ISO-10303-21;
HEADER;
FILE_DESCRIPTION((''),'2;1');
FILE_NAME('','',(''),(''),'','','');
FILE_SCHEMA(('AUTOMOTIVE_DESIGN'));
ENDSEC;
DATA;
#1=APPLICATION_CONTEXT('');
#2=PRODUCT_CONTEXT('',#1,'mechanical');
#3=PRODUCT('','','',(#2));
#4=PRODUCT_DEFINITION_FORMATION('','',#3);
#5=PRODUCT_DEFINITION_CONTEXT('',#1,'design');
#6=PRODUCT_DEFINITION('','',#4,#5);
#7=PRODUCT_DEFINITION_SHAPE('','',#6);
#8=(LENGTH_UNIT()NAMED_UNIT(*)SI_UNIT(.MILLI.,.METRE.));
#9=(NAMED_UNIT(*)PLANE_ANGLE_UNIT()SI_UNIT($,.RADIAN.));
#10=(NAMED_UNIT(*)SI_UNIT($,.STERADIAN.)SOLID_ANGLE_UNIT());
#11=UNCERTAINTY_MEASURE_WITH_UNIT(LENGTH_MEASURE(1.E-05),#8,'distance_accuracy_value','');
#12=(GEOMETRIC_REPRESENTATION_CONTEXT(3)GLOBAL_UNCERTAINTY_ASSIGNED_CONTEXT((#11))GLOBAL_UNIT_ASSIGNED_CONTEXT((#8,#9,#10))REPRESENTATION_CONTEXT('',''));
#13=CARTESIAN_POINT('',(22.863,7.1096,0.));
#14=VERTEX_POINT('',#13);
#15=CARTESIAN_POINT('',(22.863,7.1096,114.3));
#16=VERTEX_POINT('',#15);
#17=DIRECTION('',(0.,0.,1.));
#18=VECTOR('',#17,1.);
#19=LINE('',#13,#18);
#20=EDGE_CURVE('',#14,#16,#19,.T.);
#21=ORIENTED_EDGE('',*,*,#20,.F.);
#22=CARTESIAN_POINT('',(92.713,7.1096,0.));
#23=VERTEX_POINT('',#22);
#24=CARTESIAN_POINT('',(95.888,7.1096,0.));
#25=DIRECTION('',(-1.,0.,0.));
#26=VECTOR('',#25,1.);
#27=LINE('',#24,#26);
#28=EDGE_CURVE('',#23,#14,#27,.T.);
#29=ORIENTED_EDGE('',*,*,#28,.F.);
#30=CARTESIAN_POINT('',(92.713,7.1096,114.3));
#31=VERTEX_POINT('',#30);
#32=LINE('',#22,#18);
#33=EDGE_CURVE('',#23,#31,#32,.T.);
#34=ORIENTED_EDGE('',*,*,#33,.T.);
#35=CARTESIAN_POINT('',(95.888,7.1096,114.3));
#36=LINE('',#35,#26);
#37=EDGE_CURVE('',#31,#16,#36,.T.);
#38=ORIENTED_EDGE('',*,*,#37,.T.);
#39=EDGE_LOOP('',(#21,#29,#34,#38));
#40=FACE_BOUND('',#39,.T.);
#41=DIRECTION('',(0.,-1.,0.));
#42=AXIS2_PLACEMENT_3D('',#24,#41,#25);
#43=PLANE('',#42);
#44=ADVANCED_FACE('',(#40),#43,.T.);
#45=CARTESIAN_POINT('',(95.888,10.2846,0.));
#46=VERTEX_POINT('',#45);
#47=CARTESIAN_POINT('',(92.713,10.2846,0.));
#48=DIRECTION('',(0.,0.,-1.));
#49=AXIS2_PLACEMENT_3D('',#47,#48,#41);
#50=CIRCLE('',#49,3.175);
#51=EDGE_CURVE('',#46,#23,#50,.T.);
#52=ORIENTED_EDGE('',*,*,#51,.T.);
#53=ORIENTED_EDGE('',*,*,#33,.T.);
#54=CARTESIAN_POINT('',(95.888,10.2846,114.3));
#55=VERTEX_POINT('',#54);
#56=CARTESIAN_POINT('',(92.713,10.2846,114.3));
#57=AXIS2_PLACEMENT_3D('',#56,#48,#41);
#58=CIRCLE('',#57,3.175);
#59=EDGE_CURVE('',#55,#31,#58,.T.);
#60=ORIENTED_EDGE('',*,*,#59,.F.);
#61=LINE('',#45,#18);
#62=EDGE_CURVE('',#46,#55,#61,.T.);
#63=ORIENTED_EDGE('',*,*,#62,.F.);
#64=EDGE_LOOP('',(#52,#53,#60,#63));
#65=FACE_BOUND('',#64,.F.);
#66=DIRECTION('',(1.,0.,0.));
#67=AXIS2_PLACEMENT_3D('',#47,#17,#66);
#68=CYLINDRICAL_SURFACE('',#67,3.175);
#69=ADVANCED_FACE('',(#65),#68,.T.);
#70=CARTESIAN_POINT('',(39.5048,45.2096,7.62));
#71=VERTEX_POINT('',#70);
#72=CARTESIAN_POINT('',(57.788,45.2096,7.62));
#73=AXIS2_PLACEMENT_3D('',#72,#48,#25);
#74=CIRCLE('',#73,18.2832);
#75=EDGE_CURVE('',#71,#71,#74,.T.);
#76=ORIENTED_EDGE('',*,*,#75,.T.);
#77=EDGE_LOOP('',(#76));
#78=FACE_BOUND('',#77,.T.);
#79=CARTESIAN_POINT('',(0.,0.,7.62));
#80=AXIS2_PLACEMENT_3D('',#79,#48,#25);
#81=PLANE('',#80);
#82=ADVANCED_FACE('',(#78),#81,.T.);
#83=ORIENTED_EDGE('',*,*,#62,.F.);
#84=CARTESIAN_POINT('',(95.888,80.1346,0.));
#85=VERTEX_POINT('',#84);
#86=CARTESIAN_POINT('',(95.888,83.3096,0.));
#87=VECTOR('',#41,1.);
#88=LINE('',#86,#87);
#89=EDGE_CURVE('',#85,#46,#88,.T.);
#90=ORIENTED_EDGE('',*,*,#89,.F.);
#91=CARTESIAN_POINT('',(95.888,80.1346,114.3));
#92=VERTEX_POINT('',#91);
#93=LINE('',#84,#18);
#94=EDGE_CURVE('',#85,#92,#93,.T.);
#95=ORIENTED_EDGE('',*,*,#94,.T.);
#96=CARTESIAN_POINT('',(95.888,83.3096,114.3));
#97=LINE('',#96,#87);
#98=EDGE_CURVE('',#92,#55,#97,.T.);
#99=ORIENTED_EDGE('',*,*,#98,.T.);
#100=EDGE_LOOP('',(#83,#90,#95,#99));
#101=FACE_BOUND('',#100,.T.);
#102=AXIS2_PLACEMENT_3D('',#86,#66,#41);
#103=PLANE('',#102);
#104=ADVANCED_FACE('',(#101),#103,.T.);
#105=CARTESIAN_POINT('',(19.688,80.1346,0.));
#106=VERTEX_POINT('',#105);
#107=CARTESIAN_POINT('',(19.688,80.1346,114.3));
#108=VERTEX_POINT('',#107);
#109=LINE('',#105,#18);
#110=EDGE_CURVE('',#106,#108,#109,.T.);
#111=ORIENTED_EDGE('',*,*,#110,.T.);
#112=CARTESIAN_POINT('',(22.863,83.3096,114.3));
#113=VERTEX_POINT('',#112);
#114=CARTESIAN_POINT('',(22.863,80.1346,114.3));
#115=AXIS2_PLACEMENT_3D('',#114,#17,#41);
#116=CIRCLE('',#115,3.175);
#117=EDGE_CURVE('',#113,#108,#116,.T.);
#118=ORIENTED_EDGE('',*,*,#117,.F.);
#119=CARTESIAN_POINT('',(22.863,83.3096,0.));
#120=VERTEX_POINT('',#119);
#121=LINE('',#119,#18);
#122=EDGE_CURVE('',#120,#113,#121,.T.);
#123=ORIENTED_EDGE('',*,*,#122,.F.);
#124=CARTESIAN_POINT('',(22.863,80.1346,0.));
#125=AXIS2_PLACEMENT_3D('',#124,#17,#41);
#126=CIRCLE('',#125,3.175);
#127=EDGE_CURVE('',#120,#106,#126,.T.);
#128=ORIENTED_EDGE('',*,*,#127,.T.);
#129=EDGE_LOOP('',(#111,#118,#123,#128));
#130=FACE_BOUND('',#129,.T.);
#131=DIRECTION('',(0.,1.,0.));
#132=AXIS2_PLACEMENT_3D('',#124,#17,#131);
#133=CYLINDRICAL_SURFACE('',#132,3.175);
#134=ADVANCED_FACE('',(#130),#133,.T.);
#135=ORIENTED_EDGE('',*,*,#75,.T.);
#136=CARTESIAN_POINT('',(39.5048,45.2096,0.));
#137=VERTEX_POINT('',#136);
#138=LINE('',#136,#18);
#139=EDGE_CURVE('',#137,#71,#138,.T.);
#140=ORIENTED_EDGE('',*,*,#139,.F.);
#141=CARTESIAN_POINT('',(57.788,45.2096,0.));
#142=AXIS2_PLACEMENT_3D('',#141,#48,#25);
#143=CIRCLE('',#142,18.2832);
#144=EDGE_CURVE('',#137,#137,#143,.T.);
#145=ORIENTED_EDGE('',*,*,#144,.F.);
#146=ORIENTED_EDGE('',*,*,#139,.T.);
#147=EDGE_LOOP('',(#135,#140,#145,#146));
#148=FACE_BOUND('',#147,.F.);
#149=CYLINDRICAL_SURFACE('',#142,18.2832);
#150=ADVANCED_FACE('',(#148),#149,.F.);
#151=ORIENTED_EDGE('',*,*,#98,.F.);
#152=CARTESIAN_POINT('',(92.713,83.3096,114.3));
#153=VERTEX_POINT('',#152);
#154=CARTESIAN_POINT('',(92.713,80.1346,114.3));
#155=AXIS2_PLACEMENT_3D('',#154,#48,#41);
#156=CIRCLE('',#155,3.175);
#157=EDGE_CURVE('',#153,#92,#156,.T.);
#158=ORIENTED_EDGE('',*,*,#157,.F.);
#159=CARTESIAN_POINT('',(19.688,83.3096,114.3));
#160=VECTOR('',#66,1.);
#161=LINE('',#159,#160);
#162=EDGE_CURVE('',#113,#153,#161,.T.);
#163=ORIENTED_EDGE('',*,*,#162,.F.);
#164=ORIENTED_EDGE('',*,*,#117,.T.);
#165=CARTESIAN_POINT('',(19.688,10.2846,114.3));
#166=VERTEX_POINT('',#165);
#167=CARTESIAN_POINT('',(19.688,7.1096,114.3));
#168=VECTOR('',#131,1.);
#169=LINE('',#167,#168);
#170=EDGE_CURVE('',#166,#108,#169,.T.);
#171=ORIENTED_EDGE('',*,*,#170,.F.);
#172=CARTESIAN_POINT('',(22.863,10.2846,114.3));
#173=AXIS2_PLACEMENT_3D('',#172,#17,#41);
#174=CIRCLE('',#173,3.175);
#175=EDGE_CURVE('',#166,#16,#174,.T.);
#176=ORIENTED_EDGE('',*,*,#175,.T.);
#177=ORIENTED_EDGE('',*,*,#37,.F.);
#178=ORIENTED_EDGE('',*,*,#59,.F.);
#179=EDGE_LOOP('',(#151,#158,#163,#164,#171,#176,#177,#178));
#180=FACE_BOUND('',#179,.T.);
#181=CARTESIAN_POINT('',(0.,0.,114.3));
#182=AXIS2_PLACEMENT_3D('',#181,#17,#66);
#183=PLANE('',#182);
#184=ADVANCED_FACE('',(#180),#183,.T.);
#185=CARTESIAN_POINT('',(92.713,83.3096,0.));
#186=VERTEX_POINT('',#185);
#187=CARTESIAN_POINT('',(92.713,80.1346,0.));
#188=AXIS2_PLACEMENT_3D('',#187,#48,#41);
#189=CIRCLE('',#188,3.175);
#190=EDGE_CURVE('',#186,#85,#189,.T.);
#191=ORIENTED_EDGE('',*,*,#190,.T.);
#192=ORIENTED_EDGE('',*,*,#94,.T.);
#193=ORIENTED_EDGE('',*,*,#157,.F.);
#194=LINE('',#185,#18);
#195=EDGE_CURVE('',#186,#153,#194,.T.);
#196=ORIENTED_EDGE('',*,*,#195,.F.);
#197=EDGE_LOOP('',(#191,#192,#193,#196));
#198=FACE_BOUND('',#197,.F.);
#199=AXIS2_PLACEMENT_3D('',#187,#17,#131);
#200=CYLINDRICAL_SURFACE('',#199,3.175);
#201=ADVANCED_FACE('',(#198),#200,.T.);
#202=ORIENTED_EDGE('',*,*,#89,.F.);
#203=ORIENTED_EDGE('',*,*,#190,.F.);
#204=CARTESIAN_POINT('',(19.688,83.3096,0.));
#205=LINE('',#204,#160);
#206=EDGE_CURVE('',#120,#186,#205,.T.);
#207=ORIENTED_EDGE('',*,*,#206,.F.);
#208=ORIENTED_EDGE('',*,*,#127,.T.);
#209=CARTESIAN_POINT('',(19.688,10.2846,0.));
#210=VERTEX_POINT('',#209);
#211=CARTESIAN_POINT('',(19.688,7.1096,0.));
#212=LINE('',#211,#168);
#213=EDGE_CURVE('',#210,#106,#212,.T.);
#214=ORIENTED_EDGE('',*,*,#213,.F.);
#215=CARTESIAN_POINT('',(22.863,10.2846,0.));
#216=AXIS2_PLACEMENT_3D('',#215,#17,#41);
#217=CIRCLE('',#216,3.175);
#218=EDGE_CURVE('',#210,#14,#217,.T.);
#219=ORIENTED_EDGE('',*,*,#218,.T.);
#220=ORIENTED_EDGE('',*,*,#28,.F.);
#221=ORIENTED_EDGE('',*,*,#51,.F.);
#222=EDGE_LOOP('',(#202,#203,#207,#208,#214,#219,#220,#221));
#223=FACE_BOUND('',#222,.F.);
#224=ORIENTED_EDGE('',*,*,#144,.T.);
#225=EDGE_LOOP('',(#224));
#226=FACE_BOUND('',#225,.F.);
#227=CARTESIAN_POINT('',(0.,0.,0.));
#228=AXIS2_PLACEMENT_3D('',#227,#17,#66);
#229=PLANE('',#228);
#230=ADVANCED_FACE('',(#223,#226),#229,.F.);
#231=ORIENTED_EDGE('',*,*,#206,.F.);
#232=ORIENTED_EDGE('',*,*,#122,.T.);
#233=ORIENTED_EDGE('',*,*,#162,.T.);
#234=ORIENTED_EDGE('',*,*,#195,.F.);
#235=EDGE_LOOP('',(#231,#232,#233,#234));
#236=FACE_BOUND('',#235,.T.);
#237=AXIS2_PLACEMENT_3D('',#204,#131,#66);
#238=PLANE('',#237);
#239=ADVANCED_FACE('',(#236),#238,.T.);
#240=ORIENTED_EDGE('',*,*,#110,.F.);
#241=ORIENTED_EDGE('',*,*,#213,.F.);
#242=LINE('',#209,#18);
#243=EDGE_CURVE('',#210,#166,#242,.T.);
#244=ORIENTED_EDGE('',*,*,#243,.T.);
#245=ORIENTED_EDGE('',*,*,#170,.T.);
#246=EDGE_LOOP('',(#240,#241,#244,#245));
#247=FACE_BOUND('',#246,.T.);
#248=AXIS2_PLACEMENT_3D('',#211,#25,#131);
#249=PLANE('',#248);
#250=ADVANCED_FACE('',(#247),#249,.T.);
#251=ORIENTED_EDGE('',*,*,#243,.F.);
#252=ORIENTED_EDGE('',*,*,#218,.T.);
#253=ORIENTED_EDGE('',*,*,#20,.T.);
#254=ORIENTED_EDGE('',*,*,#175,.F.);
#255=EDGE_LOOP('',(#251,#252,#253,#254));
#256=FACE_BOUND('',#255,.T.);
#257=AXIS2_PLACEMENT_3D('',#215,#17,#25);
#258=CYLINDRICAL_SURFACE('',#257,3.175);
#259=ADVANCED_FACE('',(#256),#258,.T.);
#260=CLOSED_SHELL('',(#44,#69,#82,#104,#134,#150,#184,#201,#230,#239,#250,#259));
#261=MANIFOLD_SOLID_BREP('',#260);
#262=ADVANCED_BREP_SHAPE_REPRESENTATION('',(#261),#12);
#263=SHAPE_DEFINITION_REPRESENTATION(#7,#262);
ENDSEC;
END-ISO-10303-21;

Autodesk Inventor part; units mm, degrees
ref_plane "YZ Plane" through (0, 0, 0) normal (1, 0, 0) x (0, 1, 0)
ref_plane "XZ Plane" through (0, 0, 0) normal (0, 1, 0) x (-1, 0, 0)
ref_plane "XY Plane" through (0, 0, 0) normal (0, 0, 1) x (1, 0, 0)
sketch "Sketch1" plane through (0, 0, 0) normal (0, 0, 1) x (1, 0, 0)
  line L0 (19.688, 83.3096) -> (95.888, 83.3096)
  line L1 (95.888, 83.3096) -> (95.888, 7.1096)
  line L2 (95.888, 7.1096) -> (19.688, 7.1096)
  line L3 (19.688, 7.1096) -> (19.688, 83.3096)
  circle A0 centre (57.788, 45.2096) radius 23.0341
  point P0 (0, 0)
  dimension "d0" = 76.2
  dimension "d1" = 76.2
extrude "Extrusion1" add sketch "Sketch1" along normal blind 114.3 contours L0 L1 L2 L3 | A0
fillet "Fillet1" radius 3.175 4 edges at (19.688, 83.3096, 57.15) (95.888, 83.3096, 57.15) (95.888, 7.1096, 57.15) (19.688, 7.1096, 57.15)
sketch "Sketch2" plane through (95.888, 10.2846, 0) normal (1, 0, 0) x (0, 0, -1)
  line L0 (-83.9389, 49.2214) -> (-30.1471, 49.2214) construction
  line L1 (-30.1471, 49.2214) -> (-30.1471, 33.4582) construction
  line L2 (-30.1471, 33.4582) -> (-83.9389, 33.4582) construction
  line L3 (-83.9389, 33.4582) -> (-83.9389, 49.2214) construction
  point P0 (0, -10.2846)
sketch "Sketch3" plane through (0, 0, 0) normal (0, 0, -1) x (-1, 0, 0)
  circle A0 centre (-57.788, 45.2096) radius 18.2832
  line L0 (-92.713, 7.1096) -> (-22.863, 7.1096) projected
  line L1 (-95.888, 80.1346) -> (-95.888, 10.2846) projected
  point P0 (0, 0)
  dimension "d5" = 38.1
  dimension "d6" = 38.1
extrude "Extrusion2" cut sketch "Sketch3" against normal blind 7.62
properties part number "orca flash"
